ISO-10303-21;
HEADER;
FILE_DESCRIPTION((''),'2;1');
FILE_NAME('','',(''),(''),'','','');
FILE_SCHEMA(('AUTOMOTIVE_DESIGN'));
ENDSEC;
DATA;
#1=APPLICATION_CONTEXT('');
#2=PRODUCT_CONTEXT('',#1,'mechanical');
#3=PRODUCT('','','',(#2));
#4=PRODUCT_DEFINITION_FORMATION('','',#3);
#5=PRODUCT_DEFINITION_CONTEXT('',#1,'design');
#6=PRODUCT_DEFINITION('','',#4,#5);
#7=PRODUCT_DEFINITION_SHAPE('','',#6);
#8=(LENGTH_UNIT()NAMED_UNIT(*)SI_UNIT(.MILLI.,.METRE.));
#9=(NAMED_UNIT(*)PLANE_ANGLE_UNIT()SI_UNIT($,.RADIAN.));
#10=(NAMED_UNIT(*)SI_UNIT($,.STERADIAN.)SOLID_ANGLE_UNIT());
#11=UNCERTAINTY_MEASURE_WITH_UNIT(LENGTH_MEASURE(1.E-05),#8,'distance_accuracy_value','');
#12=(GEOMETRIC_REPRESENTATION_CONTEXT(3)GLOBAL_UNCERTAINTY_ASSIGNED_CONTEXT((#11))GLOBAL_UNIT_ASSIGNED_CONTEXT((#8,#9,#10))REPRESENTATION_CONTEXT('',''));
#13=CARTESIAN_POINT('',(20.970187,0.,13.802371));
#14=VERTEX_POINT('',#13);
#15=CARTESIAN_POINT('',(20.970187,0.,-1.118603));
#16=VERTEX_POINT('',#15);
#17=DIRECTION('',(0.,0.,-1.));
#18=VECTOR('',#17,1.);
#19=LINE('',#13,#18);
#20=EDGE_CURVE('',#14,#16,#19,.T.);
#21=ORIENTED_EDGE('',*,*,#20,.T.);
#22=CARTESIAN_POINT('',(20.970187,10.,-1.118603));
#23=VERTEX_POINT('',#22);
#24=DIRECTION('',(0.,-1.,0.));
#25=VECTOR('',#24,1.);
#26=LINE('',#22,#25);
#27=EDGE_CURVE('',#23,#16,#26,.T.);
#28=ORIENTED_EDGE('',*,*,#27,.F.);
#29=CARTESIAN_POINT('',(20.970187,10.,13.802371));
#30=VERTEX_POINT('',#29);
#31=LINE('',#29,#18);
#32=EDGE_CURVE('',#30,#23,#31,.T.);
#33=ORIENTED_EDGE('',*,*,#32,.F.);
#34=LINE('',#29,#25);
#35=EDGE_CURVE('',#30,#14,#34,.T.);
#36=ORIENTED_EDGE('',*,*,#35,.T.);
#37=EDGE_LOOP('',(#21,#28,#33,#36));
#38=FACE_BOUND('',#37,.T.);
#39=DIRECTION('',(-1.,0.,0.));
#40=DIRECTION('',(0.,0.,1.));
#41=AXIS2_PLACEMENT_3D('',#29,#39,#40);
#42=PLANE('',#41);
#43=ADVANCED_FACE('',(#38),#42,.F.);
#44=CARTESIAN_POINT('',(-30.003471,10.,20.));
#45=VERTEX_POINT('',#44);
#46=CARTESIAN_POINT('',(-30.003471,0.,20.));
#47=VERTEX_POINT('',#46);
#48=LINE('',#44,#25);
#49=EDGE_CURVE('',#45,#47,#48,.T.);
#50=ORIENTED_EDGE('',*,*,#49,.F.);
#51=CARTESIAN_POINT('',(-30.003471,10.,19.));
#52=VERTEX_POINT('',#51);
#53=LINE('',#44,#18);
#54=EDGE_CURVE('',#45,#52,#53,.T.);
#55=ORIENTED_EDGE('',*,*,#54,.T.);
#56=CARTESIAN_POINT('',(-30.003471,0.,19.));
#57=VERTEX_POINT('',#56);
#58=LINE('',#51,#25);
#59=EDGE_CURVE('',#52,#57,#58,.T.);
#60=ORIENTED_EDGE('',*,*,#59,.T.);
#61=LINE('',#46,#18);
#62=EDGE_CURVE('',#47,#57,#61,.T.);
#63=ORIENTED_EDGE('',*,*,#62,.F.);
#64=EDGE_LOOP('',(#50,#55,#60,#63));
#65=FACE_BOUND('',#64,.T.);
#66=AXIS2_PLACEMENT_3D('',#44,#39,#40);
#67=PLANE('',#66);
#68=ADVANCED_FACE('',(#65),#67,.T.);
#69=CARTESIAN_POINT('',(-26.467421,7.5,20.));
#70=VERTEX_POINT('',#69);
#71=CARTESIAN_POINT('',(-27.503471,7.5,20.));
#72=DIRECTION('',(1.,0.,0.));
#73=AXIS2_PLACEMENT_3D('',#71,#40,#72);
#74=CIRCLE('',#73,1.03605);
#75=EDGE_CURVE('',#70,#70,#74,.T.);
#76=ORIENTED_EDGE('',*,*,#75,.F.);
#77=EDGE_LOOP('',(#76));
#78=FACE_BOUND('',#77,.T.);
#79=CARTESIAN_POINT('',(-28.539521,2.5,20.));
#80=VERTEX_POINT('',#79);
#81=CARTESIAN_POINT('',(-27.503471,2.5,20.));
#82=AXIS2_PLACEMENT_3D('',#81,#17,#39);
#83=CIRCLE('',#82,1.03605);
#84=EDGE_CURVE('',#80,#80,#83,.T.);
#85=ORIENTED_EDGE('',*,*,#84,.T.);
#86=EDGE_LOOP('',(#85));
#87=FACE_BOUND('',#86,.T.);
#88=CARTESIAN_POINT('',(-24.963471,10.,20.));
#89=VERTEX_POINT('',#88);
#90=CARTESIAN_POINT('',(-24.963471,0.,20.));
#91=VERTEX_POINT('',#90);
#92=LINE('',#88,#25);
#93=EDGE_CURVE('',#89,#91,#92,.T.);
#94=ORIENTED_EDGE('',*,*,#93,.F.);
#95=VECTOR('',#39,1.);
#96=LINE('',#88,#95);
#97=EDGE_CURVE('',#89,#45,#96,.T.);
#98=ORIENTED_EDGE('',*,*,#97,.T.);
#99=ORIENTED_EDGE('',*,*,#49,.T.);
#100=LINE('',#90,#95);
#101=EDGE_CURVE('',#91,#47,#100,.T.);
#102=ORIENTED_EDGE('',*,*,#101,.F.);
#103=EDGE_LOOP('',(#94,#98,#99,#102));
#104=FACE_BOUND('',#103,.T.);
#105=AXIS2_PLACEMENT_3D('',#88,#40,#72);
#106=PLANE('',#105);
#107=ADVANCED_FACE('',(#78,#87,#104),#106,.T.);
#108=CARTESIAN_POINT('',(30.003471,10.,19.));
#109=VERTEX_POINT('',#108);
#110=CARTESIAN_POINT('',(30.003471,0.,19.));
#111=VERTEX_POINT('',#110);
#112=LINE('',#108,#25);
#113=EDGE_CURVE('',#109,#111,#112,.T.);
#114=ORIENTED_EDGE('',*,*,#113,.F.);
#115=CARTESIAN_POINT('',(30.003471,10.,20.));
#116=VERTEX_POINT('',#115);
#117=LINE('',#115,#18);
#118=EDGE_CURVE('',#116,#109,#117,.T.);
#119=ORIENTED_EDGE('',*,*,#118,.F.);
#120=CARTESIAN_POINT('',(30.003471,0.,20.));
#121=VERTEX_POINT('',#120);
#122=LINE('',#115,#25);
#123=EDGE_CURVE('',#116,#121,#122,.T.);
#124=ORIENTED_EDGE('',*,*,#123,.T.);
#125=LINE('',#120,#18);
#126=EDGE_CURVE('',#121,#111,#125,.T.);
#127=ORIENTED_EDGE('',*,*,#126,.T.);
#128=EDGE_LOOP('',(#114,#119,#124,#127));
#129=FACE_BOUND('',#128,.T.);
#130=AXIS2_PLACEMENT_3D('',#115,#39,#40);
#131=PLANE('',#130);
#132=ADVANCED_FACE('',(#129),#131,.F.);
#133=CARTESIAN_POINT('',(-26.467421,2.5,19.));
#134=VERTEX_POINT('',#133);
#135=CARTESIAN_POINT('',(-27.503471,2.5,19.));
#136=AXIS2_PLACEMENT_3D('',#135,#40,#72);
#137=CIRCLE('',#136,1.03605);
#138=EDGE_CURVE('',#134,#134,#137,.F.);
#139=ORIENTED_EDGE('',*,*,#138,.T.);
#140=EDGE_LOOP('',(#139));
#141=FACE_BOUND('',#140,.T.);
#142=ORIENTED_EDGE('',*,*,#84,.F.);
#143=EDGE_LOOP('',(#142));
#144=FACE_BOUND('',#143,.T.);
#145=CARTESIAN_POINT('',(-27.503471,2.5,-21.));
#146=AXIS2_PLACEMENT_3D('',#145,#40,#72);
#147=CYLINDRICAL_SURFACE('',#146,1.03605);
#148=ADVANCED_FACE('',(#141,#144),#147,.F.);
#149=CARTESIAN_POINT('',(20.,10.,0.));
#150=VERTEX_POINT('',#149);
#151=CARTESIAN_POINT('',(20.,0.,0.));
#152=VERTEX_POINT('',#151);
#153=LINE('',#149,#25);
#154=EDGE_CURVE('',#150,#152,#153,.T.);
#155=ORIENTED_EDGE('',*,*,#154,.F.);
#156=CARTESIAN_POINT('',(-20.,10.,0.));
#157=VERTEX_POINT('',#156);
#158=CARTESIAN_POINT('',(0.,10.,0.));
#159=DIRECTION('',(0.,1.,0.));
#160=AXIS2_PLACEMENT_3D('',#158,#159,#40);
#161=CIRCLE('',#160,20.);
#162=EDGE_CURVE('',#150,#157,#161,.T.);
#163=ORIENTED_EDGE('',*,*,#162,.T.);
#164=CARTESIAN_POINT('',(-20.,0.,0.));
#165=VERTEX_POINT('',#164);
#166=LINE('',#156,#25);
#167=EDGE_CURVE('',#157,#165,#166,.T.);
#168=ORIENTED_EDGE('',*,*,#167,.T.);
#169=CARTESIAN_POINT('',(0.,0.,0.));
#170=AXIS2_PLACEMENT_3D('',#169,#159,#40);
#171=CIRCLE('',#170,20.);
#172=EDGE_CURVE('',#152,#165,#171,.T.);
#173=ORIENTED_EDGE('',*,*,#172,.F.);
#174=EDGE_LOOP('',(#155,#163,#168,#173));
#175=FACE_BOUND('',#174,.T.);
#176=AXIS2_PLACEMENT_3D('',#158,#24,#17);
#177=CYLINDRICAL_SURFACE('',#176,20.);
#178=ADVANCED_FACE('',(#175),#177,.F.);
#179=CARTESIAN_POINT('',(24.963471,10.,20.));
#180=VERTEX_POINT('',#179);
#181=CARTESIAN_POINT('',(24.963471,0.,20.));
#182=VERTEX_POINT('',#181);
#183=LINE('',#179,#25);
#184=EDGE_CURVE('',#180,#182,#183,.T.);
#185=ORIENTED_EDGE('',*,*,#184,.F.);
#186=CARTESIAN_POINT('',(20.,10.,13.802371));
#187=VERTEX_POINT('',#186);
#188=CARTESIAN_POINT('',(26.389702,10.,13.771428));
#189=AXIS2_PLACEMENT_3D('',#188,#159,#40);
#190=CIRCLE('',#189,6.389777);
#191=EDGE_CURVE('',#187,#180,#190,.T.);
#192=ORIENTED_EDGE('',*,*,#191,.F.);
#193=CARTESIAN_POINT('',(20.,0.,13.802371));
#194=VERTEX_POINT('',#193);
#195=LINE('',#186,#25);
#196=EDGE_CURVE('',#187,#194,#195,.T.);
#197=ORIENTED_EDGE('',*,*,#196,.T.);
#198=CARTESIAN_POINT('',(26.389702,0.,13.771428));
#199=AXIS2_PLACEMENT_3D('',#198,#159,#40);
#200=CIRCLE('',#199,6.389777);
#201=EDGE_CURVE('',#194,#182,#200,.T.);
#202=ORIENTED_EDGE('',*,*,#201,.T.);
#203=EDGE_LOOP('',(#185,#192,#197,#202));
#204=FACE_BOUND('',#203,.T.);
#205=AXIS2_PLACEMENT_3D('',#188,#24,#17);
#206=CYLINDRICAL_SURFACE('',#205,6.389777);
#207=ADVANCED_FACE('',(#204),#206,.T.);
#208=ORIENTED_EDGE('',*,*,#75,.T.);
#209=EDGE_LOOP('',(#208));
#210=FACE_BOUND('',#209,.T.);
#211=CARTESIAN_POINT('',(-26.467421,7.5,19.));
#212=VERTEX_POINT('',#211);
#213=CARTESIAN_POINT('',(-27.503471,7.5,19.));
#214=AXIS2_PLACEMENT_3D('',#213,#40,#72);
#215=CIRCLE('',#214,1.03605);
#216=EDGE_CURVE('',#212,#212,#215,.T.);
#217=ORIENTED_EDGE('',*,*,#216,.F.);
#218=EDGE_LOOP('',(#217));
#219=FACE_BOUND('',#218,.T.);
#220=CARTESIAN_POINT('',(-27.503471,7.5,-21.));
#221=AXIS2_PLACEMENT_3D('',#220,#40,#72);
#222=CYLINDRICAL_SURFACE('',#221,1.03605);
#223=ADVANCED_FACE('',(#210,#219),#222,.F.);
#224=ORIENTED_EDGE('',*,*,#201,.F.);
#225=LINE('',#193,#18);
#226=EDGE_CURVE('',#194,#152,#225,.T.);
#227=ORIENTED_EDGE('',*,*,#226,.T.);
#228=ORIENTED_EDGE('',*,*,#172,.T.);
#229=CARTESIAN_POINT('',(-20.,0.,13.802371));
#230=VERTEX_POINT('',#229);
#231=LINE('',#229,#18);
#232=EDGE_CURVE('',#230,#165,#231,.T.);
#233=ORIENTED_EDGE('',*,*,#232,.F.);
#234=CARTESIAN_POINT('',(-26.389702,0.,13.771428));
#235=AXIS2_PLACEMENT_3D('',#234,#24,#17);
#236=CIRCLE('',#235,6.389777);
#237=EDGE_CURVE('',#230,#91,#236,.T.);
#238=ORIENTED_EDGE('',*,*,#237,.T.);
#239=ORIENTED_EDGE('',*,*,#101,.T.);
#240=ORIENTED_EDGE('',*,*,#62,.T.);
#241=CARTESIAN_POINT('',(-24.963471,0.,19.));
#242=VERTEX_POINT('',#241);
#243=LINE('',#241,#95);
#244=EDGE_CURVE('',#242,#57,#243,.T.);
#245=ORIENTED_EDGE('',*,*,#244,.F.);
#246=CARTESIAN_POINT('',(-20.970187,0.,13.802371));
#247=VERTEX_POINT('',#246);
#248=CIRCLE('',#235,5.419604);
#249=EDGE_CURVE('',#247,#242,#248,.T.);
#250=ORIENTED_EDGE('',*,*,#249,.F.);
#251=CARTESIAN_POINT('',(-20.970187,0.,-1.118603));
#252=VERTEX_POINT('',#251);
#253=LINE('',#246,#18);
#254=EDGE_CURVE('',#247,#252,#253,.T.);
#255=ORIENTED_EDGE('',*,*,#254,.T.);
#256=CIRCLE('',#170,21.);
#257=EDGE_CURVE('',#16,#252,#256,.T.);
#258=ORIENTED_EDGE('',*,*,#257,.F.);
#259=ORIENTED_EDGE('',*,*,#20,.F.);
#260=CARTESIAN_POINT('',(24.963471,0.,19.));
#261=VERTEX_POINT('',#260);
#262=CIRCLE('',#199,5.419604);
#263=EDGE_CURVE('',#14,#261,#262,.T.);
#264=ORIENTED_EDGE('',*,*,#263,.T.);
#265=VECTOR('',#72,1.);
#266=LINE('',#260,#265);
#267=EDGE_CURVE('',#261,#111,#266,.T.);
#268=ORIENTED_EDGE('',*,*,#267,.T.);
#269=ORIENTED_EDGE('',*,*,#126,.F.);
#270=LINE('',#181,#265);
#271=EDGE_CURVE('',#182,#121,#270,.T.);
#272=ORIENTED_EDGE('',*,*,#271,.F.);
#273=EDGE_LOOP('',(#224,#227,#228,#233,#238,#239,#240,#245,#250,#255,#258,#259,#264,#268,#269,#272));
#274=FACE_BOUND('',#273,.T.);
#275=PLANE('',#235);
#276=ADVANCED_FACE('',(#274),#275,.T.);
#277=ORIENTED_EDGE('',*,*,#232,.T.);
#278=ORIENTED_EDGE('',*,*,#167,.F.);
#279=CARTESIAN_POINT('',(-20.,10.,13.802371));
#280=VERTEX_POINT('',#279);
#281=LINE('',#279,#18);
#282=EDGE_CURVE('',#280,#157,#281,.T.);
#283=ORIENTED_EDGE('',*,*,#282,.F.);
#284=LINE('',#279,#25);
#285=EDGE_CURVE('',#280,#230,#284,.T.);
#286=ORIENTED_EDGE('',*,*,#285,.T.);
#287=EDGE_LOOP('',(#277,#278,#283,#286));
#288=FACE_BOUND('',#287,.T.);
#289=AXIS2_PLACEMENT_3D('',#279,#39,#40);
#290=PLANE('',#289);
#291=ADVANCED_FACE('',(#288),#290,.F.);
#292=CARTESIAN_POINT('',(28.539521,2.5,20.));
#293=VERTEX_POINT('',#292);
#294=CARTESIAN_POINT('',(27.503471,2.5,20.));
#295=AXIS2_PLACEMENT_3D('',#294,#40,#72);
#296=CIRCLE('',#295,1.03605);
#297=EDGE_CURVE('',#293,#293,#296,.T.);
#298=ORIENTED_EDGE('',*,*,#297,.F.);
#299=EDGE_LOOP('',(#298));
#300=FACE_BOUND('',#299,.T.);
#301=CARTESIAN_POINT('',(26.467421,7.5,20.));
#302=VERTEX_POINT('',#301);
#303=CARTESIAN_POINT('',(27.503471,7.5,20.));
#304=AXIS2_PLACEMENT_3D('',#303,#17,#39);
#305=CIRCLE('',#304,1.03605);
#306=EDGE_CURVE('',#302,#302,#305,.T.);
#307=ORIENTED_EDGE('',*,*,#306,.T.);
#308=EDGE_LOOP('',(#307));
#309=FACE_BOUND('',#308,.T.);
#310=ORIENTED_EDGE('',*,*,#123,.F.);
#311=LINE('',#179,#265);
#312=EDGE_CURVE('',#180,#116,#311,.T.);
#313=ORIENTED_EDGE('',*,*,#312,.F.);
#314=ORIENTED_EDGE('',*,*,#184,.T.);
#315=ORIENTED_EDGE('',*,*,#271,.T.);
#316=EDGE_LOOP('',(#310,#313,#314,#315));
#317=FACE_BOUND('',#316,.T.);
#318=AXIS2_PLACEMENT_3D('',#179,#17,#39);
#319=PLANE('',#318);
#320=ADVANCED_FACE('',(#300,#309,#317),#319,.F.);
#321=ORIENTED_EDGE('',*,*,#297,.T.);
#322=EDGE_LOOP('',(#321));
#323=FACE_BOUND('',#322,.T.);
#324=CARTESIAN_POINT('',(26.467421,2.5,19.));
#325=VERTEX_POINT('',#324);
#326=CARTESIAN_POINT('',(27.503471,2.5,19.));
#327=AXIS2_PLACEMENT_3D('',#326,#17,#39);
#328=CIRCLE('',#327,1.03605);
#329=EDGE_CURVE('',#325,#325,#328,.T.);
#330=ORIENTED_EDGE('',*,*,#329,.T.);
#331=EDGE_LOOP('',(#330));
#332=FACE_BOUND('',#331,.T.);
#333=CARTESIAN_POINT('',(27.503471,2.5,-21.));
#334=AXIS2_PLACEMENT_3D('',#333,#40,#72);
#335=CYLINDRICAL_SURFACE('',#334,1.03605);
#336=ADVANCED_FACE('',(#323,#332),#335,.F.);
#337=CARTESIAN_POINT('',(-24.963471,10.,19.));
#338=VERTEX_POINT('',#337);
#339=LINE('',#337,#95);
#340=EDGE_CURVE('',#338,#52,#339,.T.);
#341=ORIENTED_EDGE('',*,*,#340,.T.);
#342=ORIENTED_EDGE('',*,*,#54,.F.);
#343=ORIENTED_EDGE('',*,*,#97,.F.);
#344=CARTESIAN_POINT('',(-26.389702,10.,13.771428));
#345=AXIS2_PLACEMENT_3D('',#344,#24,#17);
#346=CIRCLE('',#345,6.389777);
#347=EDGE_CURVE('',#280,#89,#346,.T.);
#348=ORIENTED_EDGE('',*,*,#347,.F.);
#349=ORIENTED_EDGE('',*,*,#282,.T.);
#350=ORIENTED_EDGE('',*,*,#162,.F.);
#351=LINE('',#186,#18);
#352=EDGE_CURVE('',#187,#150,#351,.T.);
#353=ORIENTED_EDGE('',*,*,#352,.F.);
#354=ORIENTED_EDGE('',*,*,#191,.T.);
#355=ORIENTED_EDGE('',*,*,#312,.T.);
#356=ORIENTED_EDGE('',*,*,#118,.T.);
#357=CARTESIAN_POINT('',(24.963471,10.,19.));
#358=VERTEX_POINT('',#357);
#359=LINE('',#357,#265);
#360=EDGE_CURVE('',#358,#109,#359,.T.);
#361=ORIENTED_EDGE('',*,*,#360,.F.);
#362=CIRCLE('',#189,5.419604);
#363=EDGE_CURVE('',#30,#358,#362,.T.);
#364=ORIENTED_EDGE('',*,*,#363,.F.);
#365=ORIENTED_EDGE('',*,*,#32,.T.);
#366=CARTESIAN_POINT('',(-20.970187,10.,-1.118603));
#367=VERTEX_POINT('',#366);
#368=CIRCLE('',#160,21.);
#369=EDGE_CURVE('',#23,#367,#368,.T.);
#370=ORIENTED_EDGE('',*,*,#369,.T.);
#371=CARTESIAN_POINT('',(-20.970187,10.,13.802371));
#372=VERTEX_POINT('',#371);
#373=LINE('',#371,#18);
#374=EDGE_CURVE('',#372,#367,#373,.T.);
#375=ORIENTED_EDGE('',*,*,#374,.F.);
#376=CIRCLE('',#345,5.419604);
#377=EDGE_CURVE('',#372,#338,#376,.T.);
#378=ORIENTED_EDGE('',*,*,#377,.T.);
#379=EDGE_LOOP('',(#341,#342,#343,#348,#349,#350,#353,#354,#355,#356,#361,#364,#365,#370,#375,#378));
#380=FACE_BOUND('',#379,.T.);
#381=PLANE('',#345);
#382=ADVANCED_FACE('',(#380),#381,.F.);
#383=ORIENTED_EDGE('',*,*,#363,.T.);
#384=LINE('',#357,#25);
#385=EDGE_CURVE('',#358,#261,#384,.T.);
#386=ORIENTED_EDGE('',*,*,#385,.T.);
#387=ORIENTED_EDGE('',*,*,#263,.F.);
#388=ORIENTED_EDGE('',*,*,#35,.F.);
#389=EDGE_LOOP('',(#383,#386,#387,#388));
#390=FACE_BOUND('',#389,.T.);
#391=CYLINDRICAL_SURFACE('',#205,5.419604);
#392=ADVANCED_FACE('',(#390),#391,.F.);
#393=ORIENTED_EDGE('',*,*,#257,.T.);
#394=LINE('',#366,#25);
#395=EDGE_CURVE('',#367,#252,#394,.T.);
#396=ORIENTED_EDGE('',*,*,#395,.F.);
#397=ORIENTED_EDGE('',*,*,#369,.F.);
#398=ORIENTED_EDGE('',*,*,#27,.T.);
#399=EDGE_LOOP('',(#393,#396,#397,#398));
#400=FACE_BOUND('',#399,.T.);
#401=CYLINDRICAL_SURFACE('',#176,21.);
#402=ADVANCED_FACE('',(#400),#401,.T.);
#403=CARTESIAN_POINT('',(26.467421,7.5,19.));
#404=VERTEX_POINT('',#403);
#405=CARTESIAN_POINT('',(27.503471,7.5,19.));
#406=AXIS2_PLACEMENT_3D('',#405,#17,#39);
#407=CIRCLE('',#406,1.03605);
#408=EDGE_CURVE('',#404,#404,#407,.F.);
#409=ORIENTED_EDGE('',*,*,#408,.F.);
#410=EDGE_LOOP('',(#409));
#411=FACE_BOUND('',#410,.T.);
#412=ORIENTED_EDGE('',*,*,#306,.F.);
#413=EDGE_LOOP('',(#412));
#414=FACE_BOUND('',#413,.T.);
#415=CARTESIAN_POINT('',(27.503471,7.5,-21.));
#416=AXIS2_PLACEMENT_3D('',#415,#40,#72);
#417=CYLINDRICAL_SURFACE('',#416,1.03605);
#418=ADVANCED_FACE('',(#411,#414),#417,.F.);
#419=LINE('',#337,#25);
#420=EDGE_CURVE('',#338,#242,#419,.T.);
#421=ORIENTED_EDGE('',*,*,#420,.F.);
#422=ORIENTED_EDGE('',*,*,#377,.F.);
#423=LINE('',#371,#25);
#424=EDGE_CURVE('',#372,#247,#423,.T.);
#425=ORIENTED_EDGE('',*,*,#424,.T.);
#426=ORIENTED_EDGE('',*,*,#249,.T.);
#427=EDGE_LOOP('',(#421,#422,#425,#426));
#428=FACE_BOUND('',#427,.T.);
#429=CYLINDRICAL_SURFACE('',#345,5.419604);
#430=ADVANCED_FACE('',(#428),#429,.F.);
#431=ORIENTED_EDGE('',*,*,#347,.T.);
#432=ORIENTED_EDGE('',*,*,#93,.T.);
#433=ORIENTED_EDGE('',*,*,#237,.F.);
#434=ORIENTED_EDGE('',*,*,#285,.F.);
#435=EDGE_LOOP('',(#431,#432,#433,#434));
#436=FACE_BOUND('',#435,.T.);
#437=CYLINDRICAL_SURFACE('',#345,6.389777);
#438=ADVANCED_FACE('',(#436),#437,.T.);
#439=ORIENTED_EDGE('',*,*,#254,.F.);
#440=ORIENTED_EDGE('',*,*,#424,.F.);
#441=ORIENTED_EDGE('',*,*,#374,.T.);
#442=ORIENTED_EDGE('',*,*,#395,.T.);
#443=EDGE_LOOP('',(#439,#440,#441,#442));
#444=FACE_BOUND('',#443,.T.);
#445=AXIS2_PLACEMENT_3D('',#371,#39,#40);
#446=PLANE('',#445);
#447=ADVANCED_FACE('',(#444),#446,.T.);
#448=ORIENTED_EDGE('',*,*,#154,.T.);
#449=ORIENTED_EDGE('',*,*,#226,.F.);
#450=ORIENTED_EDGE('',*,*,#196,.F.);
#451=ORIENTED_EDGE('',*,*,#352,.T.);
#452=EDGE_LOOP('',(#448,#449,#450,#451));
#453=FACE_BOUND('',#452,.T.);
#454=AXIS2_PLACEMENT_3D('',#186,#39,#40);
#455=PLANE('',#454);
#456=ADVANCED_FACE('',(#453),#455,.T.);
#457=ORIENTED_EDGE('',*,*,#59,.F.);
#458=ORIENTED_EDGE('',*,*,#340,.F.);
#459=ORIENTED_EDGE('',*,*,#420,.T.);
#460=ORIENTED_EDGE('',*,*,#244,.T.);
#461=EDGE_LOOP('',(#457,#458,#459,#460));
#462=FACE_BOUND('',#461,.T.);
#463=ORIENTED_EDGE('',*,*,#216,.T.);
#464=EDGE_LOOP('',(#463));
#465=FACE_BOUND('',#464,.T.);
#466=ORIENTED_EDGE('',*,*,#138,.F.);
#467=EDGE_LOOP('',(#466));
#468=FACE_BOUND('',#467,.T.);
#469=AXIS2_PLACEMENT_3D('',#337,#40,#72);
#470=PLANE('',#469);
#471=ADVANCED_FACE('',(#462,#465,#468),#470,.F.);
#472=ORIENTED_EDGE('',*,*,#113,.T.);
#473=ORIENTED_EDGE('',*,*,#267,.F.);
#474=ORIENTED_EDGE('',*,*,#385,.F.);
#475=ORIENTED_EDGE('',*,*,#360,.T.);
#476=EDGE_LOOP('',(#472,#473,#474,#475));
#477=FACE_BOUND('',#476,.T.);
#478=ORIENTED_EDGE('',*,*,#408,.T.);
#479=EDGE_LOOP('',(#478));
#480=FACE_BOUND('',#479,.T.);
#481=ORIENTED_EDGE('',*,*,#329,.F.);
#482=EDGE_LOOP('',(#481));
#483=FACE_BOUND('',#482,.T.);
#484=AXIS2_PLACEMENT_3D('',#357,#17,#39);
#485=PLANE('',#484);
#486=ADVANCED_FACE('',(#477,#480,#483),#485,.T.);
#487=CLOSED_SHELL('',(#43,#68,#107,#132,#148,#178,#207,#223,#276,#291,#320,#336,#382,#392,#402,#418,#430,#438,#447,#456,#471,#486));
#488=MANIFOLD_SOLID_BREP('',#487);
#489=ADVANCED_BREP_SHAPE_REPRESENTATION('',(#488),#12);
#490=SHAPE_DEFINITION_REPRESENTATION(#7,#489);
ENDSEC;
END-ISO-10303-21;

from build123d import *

# Parameters (mm, degrees)
BOSS_EXTRU_1_DEPTH      = 10
ESQUISSE5_R             = 1.036050106
ENL_V_MAT_EXTRU_2_DEPTH = 42


with BuildPart() as part:
    # Esquisse2 → Boss.-Extru.1 (new body)
    with BuildSketch(Plane(origin=(0, 0, 0), x_dir=(1, 0, 0), z_dir=(0, 1, 0))):
        with BuildLine():
            Line((24.963471106, -20), (30.003471106, -20))
            Line((30.003471106, -20), (30.003471106, -19))
            Line((30.003471106, -19), (24.963471106, -19))
            ThreePointArc((24.963471106, -19), (22.092040168, -17.073276579), (20.970186635, -13.802370983))
            Line((20.970186635, -13.802370983), (20.970186635, 1.118602927))
            ThreePointArc((20.970186635, 1.118602927), (0, 21), (-20.970186635, 1.118602927))
            Line((-20.970186635, 1.118602927), (-20.970186635, -13.802370983))
            ThreePointArc((-20.970186635, -13.802370983), (-22.092040168, -17.073276579), (-24.963471106, -19))
            Line((-24.963471106, -19), (-30.003471106, -19))
            Line((-30.003471106, -19), (-30.003471106, -20))
            Line((-30.003471106, -20), (-24.963471106, -20))
            ThreePointArc((-24.963471106, -20), (-21.402232401, -17.765722993), (-20, -13.802370983))
            Line((-20, -13.802370983), (-20, 0))
            ThreePointArc((-20, 0), (0, 20), (20, 0))
            Line((20, 0), (20, -13.802370983))
            ThreePointArc((20, -13.802370983), (21.402232401, -17.765722993), (24.963471106, -20))
        make_face()
    extrude(amount=BOSS_EXTRU_1_DEPTH)

    # Esquisse5 → Enlèv. mat.-Extru.2 (cut, through all)
    with BuildSketch(Plane.XY.offset(20)):
        with Locations((-27.503471106, 7.5)):
            Circle(ESQUISSE5_R)
        with Locations((-27.503471106, 2.5)):
            Circle(ESQUISSE5_R)
        with Locations((27.503471106, 2.5)):
            Circle(ESQUISSE5_R)
        with Locations((27.503471106, 7.5)):
            Circle(ESQUISSE5_R)
    extrude(amount=-ENL_V_MAT_EXTRU_2_DEPTH, mode=Mode.SUBTRACT)


solid = part.part
